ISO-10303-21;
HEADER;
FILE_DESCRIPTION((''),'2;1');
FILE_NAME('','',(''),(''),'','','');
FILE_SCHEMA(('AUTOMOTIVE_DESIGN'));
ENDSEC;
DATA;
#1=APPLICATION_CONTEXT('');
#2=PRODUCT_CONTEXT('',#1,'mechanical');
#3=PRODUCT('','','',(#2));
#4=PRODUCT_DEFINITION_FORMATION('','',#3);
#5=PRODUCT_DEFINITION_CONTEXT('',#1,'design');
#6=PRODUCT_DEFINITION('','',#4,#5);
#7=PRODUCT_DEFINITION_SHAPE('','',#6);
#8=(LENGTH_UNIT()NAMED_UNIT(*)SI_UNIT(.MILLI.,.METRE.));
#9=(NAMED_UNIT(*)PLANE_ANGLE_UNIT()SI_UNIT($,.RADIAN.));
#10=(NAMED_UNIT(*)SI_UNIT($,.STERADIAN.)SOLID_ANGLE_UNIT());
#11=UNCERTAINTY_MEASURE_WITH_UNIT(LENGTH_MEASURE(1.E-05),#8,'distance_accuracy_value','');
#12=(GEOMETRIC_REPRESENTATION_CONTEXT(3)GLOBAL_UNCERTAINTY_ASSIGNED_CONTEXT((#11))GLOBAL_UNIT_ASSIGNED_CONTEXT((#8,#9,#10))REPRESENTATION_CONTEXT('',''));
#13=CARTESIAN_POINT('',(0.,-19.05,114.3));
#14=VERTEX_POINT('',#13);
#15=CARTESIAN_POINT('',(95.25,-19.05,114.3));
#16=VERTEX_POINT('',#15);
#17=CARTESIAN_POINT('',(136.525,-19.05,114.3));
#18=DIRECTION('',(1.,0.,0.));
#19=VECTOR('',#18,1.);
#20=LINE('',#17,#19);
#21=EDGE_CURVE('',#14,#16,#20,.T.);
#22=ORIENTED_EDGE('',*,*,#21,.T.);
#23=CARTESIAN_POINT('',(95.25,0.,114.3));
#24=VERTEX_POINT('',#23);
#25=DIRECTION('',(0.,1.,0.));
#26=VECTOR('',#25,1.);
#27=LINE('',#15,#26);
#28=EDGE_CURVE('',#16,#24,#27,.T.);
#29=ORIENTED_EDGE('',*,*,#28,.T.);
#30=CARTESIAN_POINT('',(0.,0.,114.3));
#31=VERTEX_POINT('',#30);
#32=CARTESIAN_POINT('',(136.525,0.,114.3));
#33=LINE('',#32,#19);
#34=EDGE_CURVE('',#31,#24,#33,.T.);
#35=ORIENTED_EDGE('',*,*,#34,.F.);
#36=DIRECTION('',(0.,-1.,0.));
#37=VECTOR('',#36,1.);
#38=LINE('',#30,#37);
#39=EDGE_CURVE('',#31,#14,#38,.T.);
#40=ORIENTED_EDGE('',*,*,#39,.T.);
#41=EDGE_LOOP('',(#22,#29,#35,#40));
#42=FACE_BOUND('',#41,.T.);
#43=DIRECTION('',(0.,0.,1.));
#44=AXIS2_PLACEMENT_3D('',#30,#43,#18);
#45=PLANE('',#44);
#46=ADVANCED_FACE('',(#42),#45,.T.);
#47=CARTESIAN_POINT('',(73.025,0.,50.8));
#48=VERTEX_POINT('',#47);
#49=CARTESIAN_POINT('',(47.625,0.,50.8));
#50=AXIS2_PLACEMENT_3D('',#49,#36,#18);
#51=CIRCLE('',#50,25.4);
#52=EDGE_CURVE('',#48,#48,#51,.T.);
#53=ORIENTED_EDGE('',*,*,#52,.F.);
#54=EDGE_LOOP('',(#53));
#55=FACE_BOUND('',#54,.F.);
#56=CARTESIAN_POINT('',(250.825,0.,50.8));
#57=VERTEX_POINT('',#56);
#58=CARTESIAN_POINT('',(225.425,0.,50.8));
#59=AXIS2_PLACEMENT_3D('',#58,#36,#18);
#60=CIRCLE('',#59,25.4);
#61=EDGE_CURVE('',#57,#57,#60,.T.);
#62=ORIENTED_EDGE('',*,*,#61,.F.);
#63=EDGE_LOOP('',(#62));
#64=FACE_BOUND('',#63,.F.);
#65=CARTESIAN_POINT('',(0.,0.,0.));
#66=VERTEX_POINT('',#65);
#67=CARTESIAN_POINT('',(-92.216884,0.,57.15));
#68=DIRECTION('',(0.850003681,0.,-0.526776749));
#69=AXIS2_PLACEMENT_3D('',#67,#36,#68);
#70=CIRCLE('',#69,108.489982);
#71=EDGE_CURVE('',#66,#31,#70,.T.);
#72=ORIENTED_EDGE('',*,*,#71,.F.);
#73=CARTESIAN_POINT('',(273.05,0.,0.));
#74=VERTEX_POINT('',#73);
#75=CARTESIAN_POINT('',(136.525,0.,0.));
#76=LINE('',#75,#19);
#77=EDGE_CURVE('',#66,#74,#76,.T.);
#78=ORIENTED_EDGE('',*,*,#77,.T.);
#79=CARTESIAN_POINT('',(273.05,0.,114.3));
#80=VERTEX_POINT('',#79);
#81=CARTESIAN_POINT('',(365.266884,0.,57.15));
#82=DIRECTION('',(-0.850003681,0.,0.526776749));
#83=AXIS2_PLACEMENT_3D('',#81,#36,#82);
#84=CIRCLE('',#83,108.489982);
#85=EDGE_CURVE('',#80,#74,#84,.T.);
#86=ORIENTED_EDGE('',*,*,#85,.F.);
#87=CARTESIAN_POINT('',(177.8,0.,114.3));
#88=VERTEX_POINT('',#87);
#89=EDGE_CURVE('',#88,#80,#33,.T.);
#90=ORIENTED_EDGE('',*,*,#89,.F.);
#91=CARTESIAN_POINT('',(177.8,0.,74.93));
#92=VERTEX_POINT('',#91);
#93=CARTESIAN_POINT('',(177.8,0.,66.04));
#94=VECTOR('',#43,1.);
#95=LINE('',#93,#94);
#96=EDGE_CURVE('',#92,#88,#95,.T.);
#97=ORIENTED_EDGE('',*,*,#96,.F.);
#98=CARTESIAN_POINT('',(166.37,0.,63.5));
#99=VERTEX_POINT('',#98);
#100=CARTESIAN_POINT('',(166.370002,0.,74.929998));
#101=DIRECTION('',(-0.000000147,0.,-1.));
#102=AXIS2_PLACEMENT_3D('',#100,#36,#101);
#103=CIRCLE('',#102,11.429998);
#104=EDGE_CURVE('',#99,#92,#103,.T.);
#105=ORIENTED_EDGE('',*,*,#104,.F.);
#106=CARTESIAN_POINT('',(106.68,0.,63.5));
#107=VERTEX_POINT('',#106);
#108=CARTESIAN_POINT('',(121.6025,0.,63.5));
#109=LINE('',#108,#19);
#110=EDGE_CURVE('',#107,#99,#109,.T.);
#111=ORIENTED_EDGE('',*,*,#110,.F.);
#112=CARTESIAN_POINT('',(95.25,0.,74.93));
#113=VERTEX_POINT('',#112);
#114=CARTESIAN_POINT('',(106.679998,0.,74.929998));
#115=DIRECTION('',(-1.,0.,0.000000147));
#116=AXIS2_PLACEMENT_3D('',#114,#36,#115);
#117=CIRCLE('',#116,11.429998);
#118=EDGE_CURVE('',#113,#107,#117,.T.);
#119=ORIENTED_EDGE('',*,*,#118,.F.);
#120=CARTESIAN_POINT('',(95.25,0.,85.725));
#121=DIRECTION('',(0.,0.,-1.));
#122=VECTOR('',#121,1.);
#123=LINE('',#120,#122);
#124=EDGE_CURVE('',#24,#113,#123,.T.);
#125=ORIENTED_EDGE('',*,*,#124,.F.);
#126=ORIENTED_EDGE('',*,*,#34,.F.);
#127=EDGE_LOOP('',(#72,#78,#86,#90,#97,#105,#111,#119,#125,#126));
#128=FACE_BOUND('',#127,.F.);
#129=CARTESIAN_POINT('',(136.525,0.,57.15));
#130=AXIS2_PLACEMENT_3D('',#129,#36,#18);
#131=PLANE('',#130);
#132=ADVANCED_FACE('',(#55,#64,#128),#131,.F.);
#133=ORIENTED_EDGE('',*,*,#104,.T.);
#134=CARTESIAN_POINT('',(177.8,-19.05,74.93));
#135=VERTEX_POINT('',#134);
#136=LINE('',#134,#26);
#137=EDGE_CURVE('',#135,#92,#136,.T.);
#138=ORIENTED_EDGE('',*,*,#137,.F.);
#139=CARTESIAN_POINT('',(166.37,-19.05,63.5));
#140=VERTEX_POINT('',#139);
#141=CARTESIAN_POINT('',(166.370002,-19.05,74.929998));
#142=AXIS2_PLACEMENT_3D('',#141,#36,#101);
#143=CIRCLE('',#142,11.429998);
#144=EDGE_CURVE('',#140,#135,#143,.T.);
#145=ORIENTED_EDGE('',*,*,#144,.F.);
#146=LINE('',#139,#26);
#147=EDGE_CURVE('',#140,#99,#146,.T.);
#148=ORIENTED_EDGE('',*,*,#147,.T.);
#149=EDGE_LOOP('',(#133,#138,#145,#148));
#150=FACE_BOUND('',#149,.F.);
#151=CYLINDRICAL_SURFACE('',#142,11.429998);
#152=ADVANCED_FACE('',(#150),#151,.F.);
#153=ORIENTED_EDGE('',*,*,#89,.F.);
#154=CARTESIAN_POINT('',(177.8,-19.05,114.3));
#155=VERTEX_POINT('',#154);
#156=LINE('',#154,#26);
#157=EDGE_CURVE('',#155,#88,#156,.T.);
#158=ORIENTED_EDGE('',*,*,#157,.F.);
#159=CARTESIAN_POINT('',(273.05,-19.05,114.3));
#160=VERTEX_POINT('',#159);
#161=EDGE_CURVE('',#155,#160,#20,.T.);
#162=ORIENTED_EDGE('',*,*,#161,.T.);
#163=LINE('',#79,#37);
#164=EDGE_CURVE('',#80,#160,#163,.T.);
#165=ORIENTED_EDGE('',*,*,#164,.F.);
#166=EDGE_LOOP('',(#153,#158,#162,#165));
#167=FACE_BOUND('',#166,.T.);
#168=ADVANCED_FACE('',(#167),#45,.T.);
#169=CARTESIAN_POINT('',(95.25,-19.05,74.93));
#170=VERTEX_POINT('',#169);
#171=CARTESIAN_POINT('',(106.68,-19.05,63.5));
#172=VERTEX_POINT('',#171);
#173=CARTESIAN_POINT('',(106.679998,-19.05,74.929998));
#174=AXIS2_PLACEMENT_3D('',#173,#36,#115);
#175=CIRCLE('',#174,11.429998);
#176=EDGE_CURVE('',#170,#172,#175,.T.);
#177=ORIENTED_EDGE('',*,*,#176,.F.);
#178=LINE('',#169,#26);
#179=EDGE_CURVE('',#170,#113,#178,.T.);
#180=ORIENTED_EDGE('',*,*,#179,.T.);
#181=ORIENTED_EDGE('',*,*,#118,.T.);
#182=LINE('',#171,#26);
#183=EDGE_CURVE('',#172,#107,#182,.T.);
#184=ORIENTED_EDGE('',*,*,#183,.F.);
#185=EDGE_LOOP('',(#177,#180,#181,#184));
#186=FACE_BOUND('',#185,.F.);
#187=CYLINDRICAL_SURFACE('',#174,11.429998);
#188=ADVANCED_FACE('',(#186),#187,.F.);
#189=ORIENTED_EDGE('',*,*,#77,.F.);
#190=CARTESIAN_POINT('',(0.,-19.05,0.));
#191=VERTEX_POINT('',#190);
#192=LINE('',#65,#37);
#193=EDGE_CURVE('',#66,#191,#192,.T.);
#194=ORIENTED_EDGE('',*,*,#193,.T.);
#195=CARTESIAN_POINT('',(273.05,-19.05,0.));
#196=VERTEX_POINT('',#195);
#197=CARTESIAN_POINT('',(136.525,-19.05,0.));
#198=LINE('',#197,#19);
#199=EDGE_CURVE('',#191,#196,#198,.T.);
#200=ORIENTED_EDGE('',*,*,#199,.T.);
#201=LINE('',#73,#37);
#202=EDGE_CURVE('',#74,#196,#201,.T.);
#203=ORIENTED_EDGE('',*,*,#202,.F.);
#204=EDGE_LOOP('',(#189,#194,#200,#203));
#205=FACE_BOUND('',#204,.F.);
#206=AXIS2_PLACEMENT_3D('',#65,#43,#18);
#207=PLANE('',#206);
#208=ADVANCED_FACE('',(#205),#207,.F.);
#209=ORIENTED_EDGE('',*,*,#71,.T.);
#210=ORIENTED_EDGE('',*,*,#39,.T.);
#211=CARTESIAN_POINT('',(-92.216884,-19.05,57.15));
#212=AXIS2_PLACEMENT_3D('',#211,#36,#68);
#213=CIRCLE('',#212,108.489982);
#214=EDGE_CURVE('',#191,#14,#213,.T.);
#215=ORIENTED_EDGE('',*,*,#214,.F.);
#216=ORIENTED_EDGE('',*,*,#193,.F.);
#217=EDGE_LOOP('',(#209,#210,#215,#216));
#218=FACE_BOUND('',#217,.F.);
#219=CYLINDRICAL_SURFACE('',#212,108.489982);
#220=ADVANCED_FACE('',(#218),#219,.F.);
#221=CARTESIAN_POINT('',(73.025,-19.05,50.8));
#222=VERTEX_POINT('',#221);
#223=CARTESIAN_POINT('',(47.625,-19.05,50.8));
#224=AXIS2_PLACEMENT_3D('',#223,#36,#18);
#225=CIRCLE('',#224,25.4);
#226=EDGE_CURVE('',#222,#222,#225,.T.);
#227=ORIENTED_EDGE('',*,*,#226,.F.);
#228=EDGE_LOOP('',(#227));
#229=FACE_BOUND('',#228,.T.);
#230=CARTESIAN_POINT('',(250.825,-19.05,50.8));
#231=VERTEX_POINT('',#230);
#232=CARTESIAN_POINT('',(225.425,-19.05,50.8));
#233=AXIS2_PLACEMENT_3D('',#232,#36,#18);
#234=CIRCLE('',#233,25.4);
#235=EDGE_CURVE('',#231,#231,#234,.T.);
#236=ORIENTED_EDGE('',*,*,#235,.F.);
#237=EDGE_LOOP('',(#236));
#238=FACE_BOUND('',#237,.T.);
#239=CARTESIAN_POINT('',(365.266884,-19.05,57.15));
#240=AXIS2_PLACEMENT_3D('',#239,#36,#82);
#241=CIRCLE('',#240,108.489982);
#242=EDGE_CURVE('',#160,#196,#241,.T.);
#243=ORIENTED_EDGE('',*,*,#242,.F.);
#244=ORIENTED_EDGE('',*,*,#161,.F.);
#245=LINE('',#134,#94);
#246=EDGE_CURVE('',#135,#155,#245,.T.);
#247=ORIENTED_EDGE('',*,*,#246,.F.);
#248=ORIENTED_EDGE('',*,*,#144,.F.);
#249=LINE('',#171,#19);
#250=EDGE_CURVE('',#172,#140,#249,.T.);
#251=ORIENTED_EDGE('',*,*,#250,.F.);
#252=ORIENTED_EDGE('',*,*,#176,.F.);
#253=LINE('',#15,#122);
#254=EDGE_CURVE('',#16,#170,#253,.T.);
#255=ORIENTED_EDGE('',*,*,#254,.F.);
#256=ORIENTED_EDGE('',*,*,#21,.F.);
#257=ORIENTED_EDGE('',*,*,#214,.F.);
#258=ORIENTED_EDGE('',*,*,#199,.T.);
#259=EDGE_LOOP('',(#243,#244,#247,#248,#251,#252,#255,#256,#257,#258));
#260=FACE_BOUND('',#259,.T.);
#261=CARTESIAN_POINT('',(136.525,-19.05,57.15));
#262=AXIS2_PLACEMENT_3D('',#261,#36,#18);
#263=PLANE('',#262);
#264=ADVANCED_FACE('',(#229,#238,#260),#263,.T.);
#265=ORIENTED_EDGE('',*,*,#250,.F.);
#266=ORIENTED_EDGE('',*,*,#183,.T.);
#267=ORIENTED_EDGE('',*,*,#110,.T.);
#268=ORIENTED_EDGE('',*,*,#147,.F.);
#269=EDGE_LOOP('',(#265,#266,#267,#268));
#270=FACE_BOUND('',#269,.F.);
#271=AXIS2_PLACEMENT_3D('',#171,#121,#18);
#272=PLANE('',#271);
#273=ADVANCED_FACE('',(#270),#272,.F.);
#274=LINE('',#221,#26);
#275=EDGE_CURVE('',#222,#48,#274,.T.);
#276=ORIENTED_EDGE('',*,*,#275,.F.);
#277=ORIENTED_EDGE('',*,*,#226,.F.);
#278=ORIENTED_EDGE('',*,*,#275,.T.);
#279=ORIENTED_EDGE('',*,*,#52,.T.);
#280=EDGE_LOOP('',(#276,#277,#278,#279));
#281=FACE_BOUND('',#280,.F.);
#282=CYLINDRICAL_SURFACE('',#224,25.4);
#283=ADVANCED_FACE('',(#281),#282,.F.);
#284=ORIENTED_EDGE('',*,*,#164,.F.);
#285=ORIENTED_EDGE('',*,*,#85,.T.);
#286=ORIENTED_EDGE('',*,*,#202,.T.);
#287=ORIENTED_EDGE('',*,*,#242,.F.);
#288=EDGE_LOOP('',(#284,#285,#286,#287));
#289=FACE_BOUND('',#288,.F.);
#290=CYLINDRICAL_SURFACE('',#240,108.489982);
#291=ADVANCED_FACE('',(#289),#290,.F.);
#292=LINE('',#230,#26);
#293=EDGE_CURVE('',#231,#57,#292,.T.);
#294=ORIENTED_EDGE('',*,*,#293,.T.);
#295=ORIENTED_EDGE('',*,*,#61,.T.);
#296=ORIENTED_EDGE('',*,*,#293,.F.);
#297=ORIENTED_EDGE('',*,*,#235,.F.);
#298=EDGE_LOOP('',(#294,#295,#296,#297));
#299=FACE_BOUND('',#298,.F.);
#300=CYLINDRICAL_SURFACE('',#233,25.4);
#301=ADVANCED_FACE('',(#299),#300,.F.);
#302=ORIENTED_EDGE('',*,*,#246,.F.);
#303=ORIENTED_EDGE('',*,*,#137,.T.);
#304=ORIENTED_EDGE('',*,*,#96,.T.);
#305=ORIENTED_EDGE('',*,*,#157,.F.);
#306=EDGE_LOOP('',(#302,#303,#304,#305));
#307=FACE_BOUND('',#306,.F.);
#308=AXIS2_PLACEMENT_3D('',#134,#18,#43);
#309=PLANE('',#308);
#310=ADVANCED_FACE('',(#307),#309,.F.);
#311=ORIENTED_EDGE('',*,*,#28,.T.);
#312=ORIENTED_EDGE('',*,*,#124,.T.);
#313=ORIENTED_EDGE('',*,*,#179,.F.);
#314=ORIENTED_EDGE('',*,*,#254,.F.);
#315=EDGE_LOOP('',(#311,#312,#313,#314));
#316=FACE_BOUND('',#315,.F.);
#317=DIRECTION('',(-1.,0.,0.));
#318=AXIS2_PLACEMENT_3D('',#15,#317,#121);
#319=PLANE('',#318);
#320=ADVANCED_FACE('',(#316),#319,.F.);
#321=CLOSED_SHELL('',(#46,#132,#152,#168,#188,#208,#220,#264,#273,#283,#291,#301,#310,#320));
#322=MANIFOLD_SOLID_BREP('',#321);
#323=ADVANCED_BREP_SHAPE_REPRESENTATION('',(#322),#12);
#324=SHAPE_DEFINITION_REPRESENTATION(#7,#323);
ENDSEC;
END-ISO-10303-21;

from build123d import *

# Parameters (mm, degrees)
F0_W     = 273.05
F0_H     = 114.3
F1_DEPTH = 19.05
F2_R     = 25.4
F3_DEPTH = 25.4
F5_DEPTH = 25.4
F7_DEPTH = 25.4


with BuildPart() as f1:
    # F0 (on Front) → F1 (new body)
    with BuildSketch(Plane.XZ):
        with Locations((136.525, 57.15)):
            Rectangle(F0_W, F0_H)
    extrude(amount=F1_DEPTH)

    # F2 (on face) → F3 (cut)
    with BuildSketch(Plane.XZ.offset(19.05)):
        with Locations((47.625, 50.8)):
            Circle(F2_R)
        with Locations((225.425, 50.8)):
            Circle(F2_R)
    extrude(amount=-F3_DEPTH, mode=Mode.SUBTRACT)

    # F4 (on face) → F5 (cut)
    with BuildSketch(Plane.XZ.offset(19.05)):
        with BuildLine():
            Line((177.8, 114.3), (95.25, 114.3))
            Line((95.25, 114.3), (95.25, 74.93))
            ThreePointArc((95.25, 74.93), (98.597769, 66.847769), (106.68, 63.5))
            Line((106.68, 63.5), (166.37, 63.5))
            ThreePointArc((166.37, 63.5), (174.452231, 66.847769), (177.8, 74.93))
            Line((177.8, 74.93), (177.8, 114.3))
        make_face()
    extrude(amount=-F5_DEPTH, mode=Mode.SUBTRACT)

    # F6 (on face) → F7 (cut)
    with BuildSketch(Plane.XZ.offset(19.05)):
        with BuildLine():
            Line((0, 114.3), (0, 0))
            ThreePointArc((0, 0), (16.273098, 57.15), (0, 114.3))
        make_face()
        with BuildLine():
            ThreePointArc((273.05, 114.3), (256.776902, 57.15), (273.05, 0))
            Line((273.05, 0), (273.05, 114.3))
        make_face()
    extrude(amount=-F7_DEPTH, mode=Mode.SUBTRACT)


solid = f1.part
